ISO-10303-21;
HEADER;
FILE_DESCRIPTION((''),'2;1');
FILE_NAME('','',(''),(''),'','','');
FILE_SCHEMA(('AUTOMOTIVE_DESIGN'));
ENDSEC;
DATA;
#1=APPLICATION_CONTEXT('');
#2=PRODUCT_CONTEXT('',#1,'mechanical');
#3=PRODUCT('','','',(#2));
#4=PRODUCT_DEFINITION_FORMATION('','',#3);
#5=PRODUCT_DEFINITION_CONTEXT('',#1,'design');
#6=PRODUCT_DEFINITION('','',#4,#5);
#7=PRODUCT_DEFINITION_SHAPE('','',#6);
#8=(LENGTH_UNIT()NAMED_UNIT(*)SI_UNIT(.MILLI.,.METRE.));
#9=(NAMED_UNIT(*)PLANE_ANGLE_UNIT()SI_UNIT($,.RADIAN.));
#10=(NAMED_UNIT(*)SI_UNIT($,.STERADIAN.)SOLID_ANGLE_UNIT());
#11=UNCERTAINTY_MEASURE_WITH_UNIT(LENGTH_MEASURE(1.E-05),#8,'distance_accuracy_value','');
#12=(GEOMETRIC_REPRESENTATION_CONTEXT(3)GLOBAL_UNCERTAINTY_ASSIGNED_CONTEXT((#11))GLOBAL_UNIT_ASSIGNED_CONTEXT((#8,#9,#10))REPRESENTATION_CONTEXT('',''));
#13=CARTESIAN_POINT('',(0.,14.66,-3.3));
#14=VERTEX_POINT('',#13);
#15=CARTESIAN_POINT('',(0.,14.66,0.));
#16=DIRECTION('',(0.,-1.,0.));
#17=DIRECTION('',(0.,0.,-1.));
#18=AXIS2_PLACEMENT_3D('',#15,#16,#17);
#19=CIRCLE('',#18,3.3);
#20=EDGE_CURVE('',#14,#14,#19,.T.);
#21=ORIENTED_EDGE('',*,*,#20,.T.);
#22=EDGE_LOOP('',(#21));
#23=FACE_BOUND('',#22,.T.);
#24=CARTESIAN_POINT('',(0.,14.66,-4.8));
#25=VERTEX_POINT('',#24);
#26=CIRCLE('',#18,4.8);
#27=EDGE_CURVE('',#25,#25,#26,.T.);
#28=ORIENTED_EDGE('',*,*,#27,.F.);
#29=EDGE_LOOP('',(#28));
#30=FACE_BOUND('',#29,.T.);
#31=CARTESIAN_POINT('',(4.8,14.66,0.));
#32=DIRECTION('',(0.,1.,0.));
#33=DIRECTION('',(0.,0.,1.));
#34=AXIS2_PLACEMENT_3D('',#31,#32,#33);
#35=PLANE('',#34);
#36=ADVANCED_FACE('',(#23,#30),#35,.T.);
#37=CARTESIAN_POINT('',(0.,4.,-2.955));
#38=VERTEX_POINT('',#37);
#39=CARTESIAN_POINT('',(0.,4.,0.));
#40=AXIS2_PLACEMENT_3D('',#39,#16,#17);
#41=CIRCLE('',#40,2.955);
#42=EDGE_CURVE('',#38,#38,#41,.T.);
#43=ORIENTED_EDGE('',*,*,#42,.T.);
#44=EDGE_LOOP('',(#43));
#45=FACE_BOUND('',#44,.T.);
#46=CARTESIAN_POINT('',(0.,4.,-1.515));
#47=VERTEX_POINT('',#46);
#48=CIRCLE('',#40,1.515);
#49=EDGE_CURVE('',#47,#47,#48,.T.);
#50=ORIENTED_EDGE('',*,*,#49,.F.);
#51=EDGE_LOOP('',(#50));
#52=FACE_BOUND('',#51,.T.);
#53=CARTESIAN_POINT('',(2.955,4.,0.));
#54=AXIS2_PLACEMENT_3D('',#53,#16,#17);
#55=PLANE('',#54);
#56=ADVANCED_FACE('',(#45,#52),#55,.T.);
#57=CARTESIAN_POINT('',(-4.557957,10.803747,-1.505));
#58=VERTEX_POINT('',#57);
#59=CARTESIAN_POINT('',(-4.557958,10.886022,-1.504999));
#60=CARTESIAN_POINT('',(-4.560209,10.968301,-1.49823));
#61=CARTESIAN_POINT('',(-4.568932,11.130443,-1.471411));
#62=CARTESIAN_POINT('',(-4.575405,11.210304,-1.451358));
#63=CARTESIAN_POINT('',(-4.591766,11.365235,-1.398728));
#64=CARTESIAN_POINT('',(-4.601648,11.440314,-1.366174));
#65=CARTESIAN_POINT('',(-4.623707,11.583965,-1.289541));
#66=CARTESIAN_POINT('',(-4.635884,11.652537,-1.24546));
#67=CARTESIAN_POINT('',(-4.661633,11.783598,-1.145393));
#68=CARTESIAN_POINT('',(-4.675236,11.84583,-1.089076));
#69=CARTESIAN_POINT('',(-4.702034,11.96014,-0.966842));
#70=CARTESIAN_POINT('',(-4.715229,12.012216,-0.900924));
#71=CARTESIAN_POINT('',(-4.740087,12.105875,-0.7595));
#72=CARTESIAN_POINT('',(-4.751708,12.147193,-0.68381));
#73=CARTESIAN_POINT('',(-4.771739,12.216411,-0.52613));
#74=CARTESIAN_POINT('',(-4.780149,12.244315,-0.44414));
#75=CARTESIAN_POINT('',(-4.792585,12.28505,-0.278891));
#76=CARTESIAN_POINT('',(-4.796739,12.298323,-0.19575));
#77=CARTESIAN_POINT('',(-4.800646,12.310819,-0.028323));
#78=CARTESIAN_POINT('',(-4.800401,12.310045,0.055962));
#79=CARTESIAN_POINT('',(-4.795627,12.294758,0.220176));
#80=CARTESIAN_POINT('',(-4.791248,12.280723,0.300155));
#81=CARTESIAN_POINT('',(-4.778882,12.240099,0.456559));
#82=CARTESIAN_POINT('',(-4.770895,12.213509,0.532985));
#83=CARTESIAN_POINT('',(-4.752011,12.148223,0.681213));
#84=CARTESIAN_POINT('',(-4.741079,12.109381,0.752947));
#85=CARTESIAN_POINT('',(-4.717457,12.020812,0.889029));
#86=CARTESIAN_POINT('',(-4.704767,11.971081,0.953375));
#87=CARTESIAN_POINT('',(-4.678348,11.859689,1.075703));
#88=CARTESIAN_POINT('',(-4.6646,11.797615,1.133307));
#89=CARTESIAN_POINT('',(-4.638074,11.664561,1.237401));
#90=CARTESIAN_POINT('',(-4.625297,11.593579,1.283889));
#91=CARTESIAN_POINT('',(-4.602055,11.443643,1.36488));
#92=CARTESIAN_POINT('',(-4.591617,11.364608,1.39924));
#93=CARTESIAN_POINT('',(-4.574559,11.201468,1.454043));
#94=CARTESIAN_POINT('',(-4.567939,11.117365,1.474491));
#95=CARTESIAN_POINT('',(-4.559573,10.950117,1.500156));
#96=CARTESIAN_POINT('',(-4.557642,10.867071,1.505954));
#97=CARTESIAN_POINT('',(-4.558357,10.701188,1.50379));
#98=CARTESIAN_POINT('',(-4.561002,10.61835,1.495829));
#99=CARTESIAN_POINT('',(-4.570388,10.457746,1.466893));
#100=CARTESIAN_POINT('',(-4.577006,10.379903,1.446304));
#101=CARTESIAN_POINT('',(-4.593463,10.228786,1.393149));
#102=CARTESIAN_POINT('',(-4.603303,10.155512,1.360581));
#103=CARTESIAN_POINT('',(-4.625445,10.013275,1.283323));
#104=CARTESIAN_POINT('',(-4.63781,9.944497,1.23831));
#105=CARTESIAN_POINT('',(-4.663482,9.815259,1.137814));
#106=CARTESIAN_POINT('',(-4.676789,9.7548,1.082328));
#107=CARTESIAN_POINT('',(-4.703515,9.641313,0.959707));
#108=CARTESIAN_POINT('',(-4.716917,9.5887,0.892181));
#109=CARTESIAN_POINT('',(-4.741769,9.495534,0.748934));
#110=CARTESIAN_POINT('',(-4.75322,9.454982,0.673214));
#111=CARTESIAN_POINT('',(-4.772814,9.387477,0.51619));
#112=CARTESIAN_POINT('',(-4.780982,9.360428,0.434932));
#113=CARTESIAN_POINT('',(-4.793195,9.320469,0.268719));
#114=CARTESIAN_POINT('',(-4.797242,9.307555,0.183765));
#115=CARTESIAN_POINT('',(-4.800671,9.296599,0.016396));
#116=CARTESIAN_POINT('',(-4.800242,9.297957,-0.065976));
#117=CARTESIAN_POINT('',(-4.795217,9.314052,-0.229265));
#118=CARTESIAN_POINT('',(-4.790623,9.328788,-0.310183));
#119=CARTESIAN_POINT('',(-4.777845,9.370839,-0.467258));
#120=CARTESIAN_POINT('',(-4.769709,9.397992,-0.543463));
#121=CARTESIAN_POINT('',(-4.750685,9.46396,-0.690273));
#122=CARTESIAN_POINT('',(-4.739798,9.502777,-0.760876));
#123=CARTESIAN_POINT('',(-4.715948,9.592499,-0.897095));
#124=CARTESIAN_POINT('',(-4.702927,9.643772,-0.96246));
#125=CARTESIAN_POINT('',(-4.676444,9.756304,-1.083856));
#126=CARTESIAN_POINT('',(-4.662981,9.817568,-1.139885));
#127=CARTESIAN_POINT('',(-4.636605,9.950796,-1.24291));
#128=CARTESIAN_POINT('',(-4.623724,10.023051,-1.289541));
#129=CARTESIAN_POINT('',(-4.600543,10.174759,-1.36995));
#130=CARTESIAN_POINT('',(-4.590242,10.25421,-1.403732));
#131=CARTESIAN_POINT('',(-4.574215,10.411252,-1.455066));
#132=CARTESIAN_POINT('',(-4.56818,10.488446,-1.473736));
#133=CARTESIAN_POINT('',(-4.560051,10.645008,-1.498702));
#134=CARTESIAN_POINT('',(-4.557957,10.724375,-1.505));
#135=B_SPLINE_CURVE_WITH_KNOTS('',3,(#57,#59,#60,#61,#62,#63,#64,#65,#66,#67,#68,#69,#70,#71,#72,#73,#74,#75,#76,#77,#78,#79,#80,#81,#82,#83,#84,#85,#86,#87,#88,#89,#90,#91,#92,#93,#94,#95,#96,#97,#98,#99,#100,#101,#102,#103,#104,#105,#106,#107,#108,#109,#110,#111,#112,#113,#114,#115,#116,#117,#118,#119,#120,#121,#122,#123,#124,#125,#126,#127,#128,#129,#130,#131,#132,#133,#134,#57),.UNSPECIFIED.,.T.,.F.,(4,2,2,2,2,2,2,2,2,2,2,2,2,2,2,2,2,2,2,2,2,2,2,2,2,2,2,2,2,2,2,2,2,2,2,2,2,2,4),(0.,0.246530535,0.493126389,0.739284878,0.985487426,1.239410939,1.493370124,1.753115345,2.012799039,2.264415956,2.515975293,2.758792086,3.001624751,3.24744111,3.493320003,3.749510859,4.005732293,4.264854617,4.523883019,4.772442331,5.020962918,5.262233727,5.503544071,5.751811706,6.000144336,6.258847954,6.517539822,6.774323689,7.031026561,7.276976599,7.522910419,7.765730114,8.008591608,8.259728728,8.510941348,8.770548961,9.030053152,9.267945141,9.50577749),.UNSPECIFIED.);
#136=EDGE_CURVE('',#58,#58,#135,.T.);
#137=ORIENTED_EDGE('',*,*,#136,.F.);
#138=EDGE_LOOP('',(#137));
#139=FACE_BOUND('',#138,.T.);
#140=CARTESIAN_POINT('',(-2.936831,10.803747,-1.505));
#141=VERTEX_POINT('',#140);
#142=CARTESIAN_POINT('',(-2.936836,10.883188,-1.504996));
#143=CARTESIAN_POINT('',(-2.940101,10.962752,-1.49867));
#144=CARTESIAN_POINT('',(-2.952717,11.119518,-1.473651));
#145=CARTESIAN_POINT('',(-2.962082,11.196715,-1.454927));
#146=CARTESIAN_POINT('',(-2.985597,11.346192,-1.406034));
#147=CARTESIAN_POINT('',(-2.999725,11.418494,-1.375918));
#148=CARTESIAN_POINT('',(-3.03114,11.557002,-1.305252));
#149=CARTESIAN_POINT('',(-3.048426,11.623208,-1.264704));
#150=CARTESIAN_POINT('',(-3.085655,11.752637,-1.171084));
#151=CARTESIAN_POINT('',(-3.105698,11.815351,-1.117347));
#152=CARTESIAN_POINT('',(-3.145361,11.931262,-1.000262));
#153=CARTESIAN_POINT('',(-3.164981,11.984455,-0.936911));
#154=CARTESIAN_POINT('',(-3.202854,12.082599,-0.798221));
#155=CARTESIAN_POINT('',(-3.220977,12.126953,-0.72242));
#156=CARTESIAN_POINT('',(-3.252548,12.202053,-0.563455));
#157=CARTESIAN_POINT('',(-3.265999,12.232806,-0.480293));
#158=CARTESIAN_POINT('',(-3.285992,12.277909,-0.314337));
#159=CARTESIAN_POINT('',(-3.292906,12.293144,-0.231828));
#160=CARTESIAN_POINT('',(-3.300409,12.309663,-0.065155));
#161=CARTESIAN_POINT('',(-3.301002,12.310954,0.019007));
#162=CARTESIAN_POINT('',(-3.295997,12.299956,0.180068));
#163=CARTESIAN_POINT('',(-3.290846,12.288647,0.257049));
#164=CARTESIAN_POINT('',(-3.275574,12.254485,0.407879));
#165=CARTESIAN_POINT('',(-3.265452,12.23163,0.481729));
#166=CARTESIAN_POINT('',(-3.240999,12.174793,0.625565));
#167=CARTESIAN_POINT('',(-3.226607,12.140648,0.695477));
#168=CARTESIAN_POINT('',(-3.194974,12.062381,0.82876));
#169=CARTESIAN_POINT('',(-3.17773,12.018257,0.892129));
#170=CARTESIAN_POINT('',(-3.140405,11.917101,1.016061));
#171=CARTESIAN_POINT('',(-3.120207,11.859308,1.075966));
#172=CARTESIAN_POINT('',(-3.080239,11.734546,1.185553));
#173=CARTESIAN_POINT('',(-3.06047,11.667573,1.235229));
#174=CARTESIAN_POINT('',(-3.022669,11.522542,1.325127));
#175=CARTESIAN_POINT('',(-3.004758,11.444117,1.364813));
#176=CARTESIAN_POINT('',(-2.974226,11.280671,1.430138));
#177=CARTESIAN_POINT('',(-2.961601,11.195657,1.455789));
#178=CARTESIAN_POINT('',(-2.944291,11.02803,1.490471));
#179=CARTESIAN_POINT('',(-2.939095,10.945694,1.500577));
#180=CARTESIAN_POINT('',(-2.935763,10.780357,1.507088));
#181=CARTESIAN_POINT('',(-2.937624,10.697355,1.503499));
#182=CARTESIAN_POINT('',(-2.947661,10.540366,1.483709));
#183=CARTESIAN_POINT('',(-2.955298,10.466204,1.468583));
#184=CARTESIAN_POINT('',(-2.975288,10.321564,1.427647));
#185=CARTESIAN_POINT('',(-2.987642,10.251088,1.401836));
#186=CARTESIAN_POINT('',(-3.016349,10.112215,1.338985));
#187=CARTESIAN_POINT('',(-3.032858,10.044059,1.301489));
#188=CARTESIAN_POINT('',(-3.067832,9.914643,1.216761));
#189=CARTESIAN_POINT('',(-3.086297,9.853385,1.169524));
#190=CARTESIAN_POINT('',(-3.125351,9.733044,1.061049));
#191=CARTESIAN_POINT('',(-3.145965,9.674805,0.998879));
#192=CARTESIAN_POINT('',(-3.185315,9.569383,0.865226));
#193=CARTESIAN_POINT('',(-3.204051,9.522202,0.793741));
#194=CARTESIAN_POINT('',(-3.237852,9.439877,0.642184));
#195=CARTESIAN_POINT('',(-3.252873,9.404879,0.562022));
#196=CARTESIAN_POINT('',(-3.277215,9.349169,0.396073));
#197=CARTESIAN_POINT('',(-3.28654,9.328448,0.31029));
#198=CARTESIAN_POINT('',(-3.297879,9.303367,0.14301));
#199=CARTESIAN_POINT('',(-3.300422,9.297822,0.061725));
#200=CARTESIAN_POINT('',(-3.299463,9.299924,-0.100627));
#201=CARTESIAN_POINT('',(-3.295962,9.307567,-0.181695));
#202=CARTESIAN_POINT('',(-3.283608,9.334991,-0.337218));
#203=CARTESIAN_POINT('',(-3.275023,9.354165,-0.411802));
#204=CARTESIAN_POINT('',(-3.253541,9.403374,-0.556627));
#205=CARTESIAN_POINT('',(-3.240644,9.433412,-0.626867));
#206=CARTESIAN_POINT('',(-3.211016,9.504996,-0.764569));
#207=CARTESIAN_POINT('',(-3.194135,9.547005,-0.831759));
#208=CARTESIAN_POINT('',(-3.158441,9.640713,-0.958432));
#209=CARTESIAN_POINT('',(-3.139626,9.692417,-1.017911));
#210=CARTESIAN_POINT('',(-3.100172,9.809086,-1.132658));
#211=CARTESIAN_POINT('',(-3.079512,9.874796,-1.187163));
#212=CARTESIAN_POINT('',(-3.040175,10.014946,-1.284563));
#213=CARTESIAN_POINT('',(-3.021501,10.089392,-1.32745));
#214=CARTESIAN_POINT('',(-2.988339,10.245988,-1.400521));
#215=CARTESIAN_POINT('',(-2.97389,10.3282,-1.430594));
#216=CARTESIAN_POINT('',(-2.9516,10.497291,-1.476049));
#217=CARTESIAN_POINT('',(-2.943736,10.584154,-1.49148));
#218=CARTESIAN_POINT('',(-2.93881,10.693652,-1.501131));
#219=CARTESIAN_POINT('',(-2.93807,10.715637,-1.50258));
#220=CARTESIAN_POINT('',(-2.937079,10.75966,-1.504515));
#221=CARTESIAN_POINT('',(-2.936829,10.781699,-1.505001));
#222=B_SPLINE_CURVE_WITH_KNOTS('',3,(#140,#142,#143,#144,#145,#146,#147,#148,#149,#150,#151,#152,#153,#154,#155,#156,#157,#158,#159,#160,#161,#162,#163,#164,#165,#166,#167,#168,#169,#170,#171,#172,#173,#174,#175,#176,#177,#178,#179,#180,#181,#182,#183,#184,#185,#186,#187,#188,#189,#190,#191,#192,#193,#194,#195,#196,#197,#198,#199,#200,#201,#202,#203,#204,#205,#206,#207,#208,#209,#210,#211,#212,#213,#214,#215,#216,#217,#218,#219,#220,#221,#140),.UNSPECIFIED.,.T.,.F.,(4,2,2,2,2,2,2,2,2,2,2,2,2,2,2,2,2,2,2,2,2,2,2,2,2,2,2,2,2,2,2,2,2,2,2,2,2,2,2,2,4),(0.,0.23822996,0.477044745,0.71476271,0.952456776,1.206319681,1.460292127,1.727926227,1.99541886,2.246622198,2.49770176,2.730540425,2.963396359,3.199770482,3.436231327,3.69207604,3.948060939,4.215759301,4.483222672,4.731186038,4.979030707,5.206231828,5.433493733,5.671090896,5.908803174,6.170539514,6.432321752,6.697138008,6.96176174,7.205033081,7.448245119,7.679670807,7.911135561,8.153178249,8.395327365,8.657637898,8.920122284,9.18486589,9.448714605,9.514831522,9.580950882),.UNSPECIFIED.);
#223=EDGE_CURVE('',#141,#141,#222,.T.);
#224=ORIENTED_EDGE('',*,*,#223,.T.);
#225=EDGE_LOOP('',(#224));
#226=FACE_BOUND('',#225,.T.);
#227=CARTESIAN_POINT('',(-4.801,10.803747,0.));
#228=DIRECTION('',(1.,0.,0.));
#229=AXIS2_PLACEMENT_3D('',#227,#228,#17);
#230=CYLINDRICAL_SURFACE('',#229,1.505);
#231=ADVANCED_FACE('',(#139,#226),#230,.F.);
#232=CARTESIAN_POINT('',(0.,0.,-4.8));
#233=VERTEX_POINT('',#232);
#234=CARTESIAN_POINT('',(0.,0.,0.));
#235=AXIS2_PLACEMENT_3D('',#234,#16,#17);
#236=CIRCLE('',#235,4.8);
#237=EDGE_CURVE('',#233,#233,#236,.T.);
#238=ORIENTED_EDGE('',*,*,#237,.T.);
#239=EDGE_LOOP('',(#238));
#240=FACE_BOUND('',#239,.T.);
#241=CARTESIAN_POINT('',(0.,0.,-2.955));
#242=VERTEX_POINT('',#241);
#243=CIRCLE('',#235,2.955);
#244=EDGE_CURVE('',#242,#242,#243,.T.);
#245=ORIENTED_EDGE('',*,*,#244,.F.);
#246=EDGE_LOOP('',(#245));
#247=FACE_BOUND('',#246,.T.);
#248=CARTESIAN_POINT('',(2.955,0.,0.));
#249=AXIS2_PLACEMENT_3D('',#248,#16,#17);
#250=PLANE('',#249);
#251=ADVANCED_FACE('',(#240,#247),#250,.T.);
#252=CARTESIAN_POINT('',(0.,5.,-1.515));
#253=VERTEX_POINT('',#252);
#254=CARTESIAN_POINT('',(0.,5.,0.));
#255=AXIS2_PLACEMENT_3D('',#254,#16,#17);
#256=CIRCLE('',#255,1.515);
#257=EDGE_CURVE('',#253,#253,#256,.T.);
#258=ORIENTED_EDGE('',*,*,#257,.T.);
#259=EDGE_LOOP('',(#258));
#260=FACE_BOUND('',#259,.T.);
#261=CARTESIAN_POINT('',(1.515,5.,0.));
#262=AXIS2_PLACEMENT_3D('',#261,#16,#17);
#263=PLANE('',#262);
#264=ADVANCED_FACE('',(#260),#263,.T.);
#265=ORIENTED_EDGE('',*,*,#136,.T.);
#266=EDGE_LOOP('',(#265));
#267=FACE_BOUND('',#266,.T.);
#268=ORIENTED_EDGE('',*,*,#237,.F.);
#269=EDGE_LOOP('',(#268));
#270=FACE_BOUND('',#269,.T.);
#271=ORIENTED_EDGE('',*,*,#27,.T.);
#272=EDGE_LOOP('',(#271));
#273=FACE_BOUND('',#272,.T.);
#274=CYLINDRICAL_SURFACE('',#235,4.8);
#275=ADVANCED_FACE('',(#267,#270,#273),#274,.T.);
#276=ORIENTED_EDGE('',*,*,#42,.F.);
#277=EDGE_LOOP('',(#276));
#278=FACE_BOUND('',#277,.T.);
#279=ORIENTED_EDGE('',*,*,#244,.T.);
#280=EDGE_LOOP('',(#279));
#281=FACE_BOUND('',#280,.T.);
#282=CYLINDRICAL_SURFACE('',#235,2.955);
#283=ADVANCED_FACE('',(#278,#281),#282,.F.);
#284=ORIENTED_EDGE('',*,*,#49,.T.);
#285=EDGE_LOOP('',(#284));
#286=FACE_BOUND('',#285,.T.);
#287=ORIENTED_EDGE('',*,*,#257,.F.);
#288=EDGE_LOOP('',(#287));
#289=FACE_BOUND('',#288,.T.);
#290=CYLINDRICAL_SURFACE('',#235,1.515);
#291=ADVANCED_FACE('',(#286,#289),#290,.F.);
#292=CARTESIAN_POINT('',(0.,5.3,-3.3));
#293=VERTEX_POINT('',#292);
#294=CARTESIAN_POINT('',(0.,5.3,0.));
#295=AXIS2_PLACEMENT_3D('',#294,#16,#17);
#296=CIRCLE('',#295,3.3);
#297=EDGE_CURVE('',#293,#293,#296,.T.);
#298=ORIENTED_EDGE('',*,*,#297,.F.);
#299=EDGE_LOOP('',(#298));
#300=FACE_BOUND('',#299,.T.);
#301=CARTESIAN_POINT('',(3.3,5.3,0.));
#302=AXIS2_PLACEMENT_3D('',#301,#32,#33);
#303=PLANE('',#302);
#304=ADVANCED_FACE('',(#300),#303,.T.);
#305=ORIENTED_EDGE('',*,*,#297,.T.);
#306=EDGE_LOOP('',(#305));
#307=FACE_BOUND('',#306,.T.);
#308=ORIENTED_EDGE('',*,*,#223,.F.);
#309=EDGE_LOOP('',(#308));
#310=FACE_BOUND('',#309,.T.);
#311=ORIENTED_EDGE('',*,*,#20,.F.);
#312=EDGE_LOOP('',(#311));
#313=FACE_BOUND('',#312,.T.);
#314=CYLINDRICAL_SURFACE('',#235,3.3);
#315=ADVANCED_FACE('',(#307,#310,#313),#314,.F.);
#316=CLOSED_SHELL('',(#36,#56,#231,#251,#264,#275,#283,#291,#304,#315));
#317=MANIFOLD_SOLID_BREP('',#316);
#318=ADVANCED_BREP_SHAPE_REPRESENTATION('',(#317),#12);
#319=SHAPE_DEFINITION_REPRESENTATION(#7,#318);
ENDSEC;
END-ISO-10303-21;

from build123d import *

# Parameters (mm, degrees)
CUT_EXTRUDE1_REACH      = 18.155
CUT_EXTRUDE1_END_RADIUS = 4.8
SKETCH2_R               = 1.505


with BuildPart() as part:
    # Sketch1 → Revolve1 (revolve)
    with BuildSketch(Plane.XY, mode=Mode.PRIVATE) as revolve1_sk:
        Polygon((2.955, 4), (2.955, 0), (4.8, 0), (4.8, 14.66), (3.3, 14.66), (3.3, 5.3), (0, 5.3), (0, 5), (1.515, 5), (1.515, 4), align=None)
    revolve(revolve1_sk.sketch.rotate(Axis((0, 0, 0), (0, 1, 0)), 90), axis=Axis((0, 0, 0), (0, 1, 0)))

    # Cut-Extrude1: up to this cylinder (the profile starts inside it)
    cut_extrude1_end = Plane(origin=(0, 10.803747, 0), z_dir=(0, -1, 0)) * Cylinder(CUT_EXTRUDE1_END_RADIUS, 46.91, mode=Mode.PRIVATE)
    # Sketch2 → Cut-Extrude1 (cut, up to the surface)
    with BuildSketch(Plane(origin=(0, 0, 0), x_dir=(0, 0, -1), z_dir=(1, 0, 0)), mode=Mode.PRIVATE) as cut_extrude1_sk1:
        with Locations((0, 10.803746972)):
            Circle(SKETCH2_R)
    cut_extrude1_tool1 = extrude(cut_extrude1_sk1.sketch, amount=-CUT_EXTRUDE1_REACH, mode=Mode.PRIVATE) & cut_extrude1_end
    add(cut_extrude1_tool1.solids().sort_by_distance((0, 10.803747, 0))[0], mode=Mode.SUBTRACT)


solid = part.part
